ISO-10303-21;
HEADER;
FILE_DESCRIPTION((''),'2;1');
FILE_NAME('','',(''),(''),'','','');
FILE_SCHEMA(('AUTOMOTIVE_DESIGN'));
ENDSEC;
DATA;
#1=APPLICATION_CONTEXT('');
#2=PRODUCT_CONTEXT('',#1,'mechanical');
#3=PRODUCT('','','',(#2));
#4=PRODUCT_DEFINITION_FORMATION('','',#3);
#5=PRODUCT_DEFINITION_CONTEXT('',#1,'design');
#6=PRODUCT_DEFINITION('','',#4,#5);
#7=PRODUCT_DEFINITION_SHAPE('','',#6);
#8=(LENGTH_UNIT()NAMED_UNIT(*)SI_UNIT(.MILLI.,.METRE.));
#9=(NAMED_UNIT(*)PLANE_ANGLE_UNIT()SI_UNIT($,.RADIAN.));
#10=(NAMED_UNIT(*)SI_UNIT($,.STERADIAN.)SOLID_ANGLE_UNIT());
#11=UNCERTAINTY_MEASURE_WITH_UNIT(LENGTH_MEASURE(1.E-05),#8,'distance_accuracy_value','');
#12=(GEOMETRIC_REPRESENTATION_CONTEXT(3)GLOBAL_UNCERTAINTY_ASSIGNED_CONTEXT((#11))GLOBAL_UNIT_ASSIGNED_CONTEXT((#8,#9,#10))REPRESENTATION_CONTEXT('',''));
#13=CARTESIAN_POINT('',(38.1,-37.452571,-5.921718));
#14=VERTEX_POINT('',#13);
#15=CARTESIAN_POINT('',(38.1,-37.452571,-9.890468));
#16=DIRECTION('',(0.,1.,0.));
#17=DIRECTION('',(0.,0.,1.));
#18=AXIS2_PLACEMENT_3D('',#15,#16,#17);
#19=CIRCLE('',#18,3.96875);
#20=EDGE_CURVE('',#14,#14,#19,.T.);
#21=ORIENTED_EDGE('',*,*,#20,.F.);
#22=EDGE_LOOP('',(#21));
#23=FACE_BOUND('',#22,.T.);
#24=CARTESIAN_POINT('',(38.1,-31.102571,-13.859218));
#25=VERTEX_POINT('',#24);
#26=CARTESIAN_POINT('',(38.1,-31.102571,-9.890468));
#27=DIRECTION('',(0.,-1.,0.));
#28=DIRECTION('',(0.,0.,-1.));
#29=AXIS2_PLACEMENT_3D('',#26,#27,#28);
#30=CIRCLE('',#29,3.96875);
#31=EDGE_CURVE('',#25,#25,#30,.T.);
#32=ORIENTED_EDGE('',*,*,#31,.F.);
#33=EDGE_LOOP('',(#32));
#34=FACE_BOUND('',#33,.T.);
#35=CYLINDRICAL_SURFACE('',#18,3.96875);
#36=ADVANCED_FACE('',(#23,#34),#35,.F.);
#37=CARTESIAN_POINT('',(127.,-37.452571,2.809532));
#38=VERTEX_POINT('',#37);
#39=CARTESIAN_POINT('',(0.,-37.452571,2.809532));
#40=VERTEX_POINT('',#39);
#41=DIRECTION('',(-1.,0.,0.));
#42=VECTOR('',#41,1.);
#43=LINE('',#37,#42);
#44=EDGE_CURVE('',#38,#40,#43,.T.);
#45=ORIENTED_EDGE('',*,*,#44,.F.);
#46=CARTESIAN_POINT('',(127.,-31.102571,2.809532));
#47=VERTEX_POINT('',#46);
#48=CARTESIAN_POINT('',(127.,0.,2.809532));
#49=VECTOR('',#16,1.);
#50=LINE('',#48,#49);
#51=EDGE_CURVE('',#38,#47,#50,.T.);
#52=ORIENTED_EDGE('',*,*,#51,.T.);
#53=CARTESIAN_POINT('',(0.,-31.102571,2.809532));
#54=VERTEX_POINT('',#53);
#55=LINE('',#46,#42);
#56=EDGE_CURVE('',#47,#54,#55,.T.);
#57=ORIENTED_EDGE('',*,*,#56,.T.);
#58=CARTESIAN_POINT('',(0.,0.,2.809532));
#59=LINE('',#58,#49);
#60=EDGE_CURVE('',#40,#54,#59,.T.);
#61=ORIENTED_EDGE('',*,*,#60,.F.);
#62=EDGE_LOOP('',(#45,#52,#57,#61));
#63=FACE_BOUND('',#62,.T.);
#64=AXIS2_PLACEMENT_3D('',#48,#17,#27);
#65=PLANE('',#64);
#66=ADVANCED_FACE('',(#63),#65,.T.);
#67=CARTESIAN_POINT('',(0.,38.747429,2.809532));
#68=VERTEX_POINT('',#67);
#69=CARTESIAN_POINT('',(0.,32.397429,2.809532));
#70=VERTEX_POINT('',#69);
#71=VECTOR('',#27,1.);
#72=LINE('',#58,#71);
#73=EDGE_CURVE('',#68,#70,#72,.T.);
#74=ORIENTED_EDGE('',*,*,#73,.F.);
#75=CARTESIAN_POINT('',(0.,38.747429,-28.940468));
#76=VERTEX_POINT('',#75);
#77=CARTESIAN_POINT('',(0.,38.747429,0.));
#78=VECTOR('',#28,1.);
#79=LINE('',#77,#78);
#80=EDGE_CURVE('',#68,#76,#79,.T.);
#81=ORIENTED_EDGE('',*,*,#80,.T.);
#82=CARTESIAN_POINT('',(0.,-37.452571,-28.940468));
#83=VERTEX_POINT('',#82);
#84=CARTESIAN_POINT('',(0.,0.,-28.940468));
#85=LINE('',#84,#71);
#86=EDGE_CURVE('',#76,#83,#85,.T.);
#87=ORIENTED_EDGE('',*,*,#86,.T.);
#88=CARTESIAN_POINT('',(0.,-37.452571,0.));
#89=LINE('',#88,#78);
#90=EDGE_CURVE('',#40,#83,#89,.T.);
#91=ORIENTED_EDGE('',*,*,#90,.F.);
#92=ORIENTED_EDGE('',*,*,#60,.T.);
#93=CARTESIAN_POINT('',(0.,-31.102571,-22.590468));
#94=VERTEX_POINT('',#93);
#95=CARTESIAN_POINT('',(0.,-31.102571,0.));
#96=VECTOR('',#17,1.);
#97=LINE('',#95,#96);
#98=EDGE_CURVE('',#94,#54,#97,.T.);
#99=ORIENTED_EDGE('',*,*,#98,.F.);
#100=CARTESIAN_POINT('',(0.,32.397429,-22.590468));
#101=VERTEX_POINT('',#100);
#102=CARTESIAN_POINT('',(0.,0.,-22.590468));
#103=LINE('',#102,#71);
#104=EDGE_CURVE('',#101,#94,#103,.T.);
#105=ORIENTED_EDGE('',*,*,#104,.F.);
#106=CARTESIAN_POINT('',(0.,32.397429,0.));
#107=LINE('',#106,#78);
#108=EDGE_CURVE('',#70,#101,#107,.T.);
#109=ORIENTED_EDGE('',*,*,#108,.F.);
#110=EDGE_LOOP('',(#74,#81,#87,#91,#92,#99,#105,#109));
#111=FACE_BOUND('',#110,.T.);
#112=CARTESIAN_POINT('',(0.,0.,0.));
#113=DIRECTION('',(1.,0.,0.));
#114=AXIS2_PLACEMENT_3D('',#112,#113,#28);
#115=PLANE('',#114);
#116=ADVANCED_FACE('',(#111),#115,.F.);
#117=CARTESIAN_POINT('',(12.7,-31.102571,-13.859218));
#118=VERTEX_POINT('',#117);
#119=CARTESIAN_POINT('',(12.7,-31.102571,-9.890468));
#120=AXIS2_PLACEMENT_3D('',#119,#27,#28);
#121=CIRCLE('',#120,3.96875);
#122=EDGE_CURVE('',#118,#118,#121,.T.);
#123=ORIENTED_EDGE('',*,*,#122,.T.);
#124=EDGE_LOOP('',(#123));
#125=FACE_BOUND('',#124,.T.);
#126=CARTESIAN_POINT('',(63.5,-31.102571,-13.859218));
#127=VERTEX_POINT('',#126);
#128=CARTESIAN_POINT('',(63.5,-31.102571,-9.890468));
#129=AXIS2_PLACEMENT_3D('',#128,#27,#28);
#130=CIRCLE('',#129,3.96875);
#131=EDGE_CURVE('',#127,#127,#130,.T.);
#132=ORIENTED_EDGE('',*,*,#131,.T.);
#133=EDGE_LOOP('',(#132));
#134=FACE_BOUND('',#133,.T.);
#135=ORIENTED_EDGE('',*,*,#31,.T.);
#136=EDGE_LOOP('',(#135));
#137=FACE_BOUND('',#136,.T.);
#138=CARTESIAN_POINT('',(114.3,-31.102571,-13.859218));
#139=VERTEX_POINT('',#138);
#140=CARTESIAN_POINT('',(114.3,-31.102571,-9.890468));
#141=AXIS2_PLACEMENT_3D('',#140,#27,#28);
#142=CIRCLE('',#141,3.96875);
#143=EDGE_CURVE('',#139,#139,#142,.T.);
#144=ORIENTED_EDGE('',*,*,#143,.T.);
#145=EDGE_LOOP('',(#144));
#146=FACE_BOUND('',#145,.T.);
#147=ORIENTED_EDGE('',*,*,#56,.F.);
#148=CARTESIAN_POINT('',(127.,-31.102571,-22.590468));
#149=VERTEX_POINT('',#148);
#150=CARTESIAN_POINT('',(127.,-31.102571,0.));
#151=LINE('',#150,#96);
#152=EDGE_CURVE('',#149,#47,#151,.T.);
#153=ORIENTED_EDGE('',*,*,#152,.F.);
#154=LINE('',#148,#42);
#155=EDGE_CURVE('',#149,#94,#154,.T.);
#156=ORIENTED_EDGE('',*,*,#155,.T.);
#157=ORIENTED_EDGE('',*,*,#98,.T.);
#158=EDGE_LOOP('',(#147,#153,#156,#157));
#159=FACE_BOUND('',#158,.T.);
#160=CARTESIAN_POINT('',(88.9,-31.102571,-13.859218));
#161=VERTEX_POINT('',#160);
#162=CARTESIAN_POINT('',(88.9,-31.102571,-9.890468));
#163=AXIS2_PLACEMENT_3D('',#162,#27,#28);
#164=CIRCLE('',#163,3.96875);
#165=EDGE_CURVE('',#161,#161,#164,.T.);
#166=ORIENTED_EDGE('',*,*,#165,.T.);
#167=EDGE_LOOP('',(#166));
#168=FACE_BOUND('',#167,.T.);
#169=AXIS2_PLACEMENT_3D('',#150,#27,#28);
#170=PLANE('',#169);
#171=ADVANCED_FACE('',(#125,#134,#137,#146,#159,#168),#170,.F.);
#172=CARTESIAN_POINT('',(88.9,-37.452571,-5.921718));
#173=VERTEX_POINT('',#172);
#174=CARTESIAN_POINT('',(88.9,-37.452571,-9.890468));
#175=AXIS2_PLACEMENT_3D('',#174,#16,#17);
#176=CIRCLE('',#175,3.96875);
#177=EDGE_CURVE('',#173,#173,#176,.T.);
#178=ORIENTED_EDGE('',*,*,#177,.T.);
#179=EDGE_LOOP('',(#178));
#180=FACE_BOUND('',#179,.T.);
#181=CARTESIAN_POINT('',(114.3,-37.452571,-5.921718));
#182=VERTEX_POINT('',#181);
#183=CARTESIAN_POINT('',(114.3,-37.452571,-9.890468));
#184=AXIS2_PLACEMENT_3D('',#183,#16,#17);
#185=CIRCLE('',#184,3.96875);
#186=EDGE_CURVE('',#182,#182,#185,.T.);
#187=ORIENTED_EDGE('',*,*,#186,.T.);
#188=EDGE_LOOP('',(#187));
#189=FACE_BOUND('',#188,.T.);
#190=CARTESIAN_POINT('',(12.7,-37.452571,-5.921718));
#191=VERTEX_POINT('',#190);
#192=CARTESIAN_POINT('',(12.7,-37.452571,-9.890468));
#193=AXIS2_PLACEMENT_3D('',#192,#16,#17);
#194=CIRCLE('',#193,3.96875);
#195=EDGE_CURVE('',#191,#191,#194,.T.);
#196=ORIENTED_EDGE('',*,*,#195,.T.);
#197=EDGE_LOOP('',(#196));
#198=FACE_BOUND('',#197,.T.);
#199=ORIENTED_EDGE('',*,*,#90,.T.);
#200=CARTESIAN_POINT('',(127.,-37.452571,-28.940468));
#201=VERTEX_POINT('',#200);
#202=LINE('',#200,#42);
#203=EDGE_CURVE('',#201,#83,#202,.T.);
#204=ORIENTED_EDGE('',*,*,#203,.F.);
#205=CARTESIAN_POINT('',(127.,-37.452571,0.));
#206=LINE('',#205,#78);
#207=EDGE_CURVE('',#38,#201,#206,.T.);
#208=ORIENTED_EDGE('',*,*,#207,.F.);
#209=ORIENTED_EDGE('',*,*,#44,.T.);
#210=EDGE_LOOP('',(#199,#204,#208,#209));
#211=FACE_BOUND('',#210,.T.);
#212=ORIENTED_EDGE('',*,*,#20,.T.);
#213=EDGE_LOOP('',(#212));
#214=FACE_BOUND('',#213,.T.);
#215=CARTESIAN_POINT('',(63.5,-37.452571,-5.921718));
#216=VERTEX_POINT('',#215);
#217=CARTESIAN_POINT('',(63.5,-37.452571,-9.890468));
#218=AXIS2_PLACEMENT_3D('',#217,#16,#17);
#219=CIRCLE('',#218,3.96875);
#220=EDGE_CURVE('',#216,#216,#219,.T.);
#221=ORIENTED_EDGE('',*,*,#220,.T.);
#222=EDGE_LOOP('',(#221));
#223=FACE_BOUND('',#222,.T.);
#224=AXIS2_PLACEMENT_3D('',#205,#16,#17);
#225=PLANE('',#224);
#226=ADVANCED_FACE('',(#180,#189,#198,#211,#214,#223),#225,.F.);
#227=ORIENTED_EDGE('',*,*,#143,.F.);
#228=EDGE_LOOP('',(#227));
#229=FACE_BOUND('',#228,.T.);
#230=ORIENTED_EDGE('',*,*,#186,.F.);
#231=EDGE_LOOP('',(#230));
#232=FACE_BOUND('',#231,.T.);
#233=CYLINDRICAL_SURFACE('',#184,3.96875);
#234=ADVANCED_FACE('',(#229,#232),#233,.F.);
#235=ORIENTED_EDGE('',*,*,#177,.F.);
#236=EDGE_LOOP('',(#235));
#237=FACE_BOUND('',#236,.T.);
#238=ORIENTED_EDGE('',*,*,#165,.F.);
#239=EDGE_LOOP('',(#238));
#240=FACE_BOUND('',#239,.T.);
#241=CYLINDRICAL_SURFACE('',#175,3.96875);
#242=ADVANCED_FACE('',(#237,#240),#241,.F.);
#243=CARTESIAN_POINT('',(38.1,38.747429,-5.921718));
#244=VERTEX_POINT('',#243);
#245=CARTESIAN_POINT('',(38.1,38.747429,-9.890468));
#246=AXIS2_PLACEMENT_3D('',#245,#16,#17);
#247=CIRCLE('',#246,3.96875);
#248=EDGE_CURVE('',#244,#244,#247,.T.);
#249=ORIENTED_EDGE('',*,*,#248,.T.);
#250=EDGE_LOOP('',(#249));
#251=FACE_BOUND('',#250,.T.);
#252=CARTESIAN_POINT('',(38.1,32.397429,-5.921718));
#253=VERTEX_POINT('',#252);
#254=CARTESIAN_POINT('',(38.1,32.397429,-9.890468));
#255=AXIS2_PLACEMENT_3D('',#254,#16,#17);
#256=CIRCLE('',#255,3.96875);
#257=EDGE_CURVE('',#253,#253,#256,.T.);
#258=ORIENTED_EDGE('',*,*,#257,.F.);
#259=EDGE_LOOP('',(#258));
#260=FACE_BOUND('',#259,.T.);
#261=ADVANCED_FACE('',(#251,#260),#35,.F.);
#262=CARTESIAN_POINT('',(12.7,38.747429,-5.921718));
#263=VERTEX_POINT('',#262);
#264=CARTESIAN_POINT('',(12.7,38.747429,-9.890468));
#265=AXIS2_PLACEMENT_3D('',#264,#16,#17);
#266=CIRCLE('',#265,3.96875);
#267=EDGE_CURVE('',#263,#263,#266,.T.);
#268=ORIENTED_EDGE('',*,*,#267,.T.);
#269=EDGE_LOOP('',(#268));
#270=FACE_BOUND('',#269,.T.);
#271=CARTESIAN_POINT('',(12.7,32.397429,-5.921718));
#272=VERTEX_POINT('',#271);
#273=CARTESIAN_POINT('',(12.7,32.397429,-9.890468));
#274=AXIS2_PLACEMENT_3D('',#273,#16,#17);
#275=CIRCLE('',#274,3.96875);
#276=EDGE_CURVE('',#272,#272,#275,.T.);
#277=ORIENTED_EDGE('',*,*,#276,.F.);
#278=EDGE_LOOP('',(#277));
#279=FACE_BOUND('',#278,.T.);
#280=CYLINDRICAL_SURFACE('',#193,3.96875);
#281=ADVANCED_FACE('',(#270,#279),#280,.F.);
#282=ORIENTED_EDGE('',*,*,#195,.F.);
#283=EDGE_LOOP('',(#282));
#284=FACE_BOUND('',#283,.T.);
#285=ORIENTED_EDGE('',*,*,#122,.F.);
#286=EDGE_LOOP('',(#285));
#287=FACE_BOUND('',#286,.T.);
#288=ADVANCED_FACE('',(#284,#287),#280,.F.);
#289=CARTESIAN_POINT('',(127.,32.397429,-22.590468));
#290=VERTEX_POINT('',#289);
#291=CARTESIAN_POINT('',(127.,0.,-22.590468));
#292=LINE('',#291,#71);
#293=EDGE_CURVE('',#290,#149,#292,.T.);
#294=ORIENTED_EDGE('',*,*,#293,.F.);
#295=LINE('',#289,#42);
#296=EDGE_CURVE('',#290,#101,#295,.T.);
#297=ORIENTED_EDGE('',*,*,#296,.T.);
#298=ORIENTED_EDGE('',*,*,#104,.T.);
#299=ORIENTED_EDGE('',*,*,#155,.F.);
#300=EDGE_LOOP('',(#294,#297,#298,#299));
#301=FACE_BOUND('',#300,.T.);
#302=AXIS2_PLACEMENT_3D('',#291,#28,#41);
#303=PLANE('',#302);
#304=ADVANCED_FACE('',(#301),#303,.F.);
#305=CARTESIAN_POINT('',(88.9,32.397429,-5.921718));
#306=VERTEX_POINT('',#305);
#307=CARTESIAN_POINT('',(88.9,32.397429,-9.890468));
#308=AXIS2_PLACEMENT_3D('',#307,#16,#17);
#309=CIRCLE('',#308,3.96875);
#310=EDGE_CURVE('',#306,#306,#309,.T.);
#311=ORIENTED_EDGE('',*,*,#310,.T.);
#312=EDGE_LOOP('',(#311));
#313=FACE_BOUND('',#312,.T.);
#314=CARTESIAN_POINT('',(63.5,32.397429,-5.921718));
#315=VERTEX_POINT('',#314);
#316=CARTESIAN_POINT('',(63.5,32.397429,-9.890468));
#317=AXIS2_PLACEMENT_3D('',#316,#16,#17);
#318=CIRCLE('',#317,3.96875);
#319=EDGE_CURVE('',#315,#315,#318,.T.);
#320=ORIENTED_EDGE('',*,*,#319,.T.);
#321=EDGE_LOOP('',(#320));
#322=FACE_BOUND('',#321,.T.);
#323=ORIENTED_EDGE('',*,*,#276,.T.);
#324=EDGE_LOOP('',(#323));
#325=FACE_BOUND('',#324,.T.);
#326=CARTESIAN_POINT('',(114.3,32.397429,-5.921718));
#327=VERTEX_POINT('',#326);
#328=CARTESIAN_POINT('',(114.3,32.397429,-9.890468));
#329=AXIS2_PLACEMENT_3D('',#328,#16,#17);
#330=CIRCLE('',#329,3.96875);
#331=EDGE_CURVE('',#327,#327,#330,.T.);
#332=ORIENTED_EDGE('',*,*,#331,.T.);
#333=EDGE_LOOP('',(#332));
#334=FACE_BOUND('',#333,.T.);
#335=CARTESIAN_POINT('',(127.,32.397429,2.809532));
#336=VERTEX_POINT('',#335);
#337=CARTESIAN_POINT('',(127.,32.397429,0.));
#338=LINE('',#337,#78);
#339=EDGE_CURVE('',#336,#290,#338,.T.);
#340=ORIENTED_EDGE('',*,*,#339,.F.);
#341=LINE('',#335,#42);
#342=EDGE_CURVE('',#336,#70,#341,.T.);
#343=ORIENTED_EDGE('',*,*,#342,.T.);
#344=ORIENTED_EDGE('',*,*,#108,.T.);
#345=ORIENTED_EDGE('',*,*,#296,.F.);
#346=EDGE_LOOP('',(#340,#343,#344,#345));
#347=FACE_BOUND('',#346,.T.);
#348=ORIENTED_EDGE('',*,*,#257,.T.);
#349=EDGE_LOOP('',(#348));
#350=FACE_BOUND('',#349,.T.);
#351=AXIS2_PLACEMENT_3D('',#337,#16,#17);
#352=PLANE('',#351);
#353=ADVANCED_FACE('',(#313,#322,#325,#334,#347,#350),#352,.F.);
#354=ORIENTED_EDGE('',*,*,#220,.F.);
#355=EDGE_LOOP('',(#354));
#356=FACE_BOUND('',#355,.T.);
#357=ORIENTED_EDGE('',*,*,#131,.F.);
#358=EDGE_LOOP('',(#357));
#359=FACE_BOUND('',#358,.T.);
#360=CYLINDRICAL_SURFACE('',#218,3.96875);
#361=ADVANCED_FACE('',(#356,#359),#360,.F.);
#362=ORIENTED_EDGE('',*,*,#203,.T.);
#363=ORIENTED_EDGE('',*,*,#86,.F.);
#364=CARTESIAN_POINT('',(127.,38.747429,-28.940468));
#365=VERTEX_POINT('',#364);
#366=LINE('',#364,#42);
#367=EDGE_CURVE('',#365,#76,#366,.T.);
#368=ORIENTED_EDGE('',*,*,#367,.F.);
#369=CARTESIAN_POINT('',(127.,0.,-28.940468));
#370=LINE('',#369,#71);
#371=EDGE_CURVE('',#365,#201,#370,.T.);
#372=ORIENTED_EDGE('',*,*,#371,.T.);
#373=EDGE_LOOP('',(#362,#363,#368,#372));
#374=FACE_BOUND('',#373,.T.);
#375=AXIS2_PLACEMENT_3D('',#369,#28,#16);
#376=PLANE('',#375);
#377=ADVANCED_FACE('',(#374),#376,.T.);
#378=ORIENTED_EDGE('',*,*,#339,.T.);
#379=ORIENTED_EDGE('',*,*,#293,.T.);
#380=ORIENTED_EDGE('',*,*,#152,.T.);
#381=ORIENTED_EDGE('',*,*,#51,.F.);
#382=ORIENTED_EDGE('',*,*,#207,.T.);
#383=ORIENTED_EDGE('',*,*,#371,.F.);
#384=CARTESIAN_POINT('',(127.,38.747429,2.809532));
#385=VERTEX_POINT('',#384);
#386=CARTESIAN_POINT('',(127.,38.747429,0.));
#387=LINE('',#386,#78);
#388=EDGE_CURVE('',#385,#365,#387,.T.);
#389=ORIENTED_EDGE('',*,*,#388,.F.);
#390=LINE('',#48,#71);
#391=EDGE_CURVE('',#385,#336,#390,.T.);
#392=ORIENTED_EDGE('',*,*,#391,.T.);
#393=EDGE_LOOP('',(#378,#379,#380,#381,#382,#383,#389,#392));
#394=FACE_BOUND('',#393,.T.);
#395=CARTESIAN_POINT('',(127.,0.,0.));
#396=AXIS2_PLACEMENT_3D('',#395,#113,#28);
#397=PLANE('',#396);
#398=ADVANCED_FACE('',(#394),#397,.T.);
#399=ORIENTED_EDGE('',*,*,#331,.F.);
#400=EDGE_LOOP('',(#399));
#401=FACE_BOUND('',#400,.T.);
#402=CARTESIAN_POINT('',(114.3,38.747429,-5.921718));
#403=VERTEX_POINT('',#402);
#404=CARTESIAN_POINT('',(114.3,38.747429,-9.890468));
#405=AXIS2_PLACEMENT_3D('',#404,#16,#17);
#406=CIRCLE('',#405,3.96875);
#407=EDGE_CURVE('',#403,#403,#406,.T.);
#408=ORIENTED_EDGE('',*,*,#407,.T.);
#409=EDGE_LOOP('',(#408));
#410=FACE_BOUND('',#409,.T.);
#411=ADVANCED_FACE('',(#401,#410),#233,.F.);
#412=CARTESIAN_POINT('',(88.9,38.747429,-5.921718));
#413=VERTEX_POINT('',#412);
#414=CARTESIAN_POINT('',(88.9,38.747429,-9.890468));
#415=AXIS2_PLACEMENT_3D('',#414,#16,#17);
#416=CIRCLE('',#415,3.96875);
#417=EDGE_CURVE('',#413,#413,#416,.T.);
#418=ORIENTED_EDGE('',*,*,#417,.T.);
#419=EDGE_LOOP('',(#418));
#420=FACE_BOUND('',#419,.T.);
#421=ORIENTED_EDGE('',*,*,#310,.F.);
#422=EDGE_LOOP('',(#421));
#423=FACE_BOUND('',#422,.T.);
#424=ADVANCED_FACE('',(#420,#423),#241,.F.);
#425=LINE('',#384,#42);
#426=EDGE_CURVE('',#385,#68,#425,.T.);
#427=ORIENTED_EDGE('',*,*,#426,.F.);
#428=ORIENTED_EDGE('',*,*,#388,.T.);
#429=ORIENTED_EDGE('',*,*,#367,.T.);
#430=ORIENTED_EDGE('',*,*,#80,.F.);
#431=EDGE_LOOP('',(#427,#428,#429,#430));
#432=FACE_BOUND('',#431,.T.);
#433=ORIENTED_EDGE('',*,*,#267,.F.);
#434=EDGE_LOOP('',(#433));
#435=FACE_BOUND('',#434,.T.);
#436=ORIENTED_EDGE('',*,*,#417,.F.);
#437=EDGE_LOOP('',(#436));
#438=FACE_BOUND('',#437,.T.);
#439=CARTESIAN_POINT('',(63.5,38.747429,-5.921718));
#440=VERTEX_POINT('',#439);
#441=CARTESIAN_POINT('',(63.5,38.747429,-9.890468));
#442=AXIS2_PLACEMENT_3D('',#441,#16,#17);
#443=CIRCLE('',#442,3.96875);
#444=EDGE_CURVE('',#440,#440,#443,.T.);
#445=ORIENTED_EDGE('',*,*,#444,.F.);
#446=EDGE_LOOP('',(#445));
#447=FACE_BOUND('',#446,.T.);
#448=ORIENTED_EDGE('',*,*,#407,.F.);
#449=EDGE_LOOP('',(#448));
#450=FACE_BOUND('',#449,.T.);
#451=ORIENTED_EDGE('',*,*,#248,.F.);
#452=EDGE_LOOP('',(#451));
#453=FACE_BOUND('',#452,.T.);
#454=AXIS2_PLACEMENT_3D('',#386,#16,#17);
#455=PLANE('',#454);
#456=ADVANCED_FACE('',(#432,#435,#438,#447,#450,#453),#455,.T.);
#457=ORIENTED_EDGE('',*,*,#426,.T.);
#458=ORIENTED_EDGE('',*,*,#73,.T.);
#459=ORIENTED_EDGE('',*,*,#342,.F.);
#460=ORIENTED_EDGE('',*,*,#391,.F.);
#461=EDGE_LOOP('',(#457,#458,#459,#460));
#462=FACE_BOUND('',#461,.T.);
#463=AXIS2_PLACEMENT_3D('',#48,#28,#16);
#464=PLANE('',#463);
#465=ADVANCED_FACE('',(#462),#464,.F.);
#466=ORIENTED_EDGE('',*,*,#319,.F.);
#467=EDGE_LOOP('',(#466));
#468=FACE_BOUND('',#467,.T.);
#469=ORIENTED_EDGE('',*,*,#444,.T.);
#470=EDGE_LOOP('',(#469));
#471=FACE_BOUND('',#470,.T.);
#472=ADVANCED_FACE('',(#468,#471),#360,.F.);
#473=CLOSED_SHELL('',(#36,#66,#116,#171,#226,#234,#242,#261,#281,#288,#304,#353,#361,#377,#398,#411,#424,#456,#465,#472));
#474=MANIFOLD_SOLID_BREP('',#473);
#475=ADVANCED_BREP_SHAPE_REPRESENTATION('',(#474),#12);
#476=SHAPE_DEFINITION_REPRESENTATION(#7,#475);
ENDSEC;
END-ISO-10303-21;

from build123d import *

# Parameters (mm, degrees)
SKETCH1_W           = 25.4
SKETCH1_H           = 6.35
BOSS_EXTRUDE1_DEPTH = 127
SKETCH2_R           = 3.96875
CUT_EXTRUDE1_DEPTH  = 77.2


with BuildPart() as part:
    # Sketch1 → Boss-Extrude1 (new body)
    with BuildSketch(Plane(origin=(0, 0, 0), x_dir=(0, 0, -1), z_dir=(1, 0, 0))):
        with Locations((9.890468116, 35.572429457)):
            Rectangle(SKETCH1_W, SKETCH1_H)
        Polygon((28.940468116, 38.747429457), (22.590468116, 38.747429457), (22.590468116, 32.397429457), (22.590468116, -31.102570543), (22.590468116, -37.452570543), (28.940468116, -37.452570543), align=None)
        with Locations((9.890468116, -34.277570543)):
            Rectangle(SKETCH1_W, SKETCH1_H)
    extrude(amount=BOSS_EXTRUDE1_DEPTH)

    # Sketch2 → Cut-Extrude1 (cut, through all)
    with BuildSketch(Plane(origin=(0, 38.747429457, 0), x_dir=(1, 0, 0), z_dir=(0, 1, 0))):
        with Locations((114.3, 9.890468116)):
            Circle(SKETCH2_R)
        with Locations((88.9, 9.890468116)):
            Circle(SKETCH2_R)
        with Locations((63.5, 9.890468116)):
            Circle(SKETCH2_R)
        with Locations((38.1, 9.890468116)):
            Circle(SKETCH2_R)
        with Locations((12.7, 9.890468116)):
            Circle(SKETCH2_R)
    extrude(amount=-CUT_EXTRUDE1_DEPTH, mode=Mode.SUBTRACT)


solid = part.part
